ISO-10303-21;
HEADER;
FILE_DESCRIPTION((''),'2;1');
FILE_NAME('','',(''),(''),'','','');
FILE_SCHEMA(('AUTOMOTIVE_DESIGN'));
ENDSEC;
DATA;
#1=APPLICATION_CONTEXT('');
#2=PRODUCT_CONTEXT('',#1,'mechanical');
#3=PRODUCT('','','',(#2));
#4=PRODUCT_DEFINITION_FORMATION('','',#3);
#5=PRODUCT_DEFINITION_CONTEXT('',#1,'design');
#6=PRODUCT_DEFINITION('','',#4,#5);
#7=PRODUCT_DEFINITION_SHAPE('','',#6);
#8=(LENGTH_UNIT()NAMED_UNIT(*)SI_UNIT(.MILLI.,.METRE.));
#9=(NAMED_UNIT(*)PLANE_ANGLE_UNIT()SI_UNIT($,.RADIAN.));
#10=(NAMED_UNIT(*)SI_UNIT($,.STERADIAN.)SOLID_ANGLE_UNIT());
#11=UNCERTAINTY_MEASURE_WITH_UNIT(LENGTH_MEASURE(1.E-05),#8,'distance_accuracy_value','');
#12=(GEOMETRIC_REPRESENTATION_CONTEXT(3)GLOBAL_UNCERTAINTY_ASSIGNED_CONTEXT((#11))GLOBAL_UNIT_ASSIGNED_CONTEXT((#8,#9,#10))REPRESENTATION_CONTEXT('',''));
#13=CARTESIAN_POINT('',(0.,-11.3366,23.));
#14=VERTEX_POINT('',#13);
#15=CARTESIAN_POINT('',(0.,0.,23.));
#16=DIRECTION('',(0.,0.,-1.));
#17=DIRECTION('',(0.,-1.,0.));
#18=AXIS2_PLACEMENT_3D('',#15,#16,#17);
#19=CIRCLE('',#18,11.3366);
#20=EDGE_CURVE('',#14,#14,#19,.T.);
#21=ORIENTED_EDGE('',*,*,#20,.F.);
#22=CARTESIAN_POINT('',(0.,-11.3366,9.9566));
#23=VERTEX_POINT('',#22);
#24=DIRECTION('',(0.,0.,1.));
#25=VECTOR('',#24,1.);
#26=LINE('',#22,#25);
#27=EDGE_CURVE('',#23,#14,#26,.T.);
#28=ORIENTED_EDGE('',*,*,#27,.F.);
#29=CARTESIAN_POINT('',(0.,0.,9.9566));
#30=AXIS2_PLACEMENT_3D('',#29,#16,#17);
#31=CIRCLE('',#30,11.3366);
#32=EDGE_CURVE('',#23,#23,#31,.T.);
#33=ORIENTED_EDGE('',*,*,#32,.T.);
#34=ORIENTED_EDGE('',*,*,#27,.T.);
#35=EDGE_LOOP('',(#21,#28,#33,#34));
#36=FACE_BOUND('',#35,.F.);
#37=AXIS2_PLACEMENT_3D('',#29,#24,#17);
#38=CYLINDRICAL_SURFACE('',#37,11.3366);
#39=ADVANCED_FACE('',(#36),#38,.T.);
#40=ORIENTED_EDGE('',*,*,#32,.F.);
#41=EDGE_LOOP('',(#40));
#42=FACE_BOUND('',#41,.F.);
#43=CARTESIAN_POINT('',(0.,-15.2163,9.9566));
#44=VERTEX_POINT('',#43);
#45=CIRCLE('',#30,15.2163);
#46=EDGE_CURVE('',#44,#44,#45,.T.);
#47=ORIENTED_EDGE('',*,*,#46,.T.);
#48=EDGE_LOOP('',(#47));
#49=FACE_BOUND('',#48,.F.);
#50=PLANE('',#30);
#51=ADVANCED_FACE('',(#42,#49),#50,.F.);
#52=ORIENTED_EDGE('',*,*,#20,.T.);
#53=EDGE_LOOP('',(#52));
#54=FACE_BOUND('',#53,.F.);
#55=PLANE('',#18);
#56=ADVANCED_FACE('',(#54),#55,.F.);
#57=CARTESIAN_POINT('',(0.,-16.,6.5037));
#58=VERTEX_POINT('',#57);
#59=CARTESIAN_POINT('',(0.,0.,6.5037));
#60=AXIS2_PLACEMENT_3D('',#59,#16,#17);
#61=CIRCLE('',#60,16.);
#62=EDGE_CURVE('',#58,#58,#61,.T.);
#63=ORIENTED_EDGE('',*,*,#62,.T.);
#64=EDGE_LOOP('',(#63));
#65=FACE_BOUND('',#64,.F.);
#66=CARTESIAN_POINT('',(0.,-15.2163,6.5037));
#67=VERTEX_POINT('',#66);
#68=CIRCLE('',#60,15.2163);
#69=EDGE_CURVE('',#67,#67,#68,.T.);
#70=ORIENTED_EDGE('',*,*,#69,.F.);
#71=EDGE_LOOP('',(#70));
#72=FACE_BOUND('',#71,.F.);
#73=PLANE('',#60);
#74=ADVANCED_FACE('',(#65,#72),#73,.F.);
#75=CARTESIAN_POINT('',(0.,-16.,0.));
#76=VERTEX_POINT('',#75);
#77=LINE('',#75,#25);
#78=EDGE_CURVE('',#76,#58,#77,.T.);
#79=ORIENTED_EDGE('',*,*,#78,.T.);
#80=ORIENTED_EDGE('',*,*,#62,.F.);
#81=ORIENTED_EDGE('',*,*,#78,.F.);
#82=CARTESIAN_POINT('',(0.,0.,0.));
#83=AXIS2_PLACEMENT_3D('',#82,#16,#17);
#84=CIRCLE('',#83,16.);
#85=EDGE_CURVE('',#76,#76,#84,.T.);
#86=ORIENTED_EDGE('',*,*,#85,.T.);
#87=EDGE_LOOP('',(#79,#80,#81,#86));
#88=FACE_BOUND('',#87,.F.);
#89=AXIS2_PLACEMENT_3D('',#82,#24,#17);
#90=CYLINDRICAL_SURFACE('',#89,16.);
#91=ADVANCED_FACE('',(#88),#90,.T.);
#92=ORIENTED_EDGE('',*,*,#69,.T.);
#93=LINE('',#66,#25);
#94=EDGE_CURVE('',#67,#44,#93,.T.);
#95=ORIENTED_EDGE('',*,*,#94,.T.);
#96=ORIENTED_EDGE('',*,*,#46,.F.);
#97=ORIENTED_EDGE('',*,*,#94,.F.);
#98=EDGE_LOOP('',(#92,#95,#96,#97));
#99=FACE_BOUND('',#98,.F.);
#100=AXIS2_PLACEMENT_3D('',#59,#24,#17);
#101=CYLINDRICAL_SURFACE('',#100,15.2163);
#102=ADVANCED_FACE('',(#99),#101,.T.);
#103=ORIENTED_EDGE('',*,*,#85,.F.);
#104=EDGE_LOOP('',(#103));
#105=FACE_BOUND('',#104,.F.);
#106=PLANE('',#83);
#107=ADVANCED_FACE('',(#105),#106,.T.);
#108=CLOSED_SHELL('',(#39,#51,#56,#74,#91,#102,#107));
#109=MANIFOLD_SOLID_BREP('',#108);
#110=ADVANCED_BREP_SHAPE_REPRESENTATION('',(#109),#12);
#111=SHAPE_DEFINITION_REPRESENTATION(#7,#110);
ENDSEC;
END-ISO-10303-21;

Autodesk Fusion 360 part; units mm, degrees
sketch "Esquisse1" plane through (0, 0, 0) normal (1, 0, 0) x (0, 1, 0)
  line L0 (0, 0) -> (-16, 0)
  line L1 (-16, 0) -> (-16, 6.5037)
  line L2 (-16, 6.5037) -> (-15.2163, 6.5037)
  line L3 (-15.2163, 6.5037) -> (-15.2163, 9.9566)
  line L4 (-15.2163, 9.9566) -> (-11.3366, 9.9566)
  line L5 (-11.3366, 9.9566) -> (-11.3366, 23)
  line L6 (-11.3366, 23) -> (0, 23)
  line L7 (0, 23) -> (0, 0)
  line L8 (0, 2.5) -> (0, 20)
  dimension "d1" = 16
  dimension "d2" = 15.2163
revolve "Révolution1" add sketch "Esquisse1" angle 360 about axis through (0, 0, 23) along (0, 0, -1)
